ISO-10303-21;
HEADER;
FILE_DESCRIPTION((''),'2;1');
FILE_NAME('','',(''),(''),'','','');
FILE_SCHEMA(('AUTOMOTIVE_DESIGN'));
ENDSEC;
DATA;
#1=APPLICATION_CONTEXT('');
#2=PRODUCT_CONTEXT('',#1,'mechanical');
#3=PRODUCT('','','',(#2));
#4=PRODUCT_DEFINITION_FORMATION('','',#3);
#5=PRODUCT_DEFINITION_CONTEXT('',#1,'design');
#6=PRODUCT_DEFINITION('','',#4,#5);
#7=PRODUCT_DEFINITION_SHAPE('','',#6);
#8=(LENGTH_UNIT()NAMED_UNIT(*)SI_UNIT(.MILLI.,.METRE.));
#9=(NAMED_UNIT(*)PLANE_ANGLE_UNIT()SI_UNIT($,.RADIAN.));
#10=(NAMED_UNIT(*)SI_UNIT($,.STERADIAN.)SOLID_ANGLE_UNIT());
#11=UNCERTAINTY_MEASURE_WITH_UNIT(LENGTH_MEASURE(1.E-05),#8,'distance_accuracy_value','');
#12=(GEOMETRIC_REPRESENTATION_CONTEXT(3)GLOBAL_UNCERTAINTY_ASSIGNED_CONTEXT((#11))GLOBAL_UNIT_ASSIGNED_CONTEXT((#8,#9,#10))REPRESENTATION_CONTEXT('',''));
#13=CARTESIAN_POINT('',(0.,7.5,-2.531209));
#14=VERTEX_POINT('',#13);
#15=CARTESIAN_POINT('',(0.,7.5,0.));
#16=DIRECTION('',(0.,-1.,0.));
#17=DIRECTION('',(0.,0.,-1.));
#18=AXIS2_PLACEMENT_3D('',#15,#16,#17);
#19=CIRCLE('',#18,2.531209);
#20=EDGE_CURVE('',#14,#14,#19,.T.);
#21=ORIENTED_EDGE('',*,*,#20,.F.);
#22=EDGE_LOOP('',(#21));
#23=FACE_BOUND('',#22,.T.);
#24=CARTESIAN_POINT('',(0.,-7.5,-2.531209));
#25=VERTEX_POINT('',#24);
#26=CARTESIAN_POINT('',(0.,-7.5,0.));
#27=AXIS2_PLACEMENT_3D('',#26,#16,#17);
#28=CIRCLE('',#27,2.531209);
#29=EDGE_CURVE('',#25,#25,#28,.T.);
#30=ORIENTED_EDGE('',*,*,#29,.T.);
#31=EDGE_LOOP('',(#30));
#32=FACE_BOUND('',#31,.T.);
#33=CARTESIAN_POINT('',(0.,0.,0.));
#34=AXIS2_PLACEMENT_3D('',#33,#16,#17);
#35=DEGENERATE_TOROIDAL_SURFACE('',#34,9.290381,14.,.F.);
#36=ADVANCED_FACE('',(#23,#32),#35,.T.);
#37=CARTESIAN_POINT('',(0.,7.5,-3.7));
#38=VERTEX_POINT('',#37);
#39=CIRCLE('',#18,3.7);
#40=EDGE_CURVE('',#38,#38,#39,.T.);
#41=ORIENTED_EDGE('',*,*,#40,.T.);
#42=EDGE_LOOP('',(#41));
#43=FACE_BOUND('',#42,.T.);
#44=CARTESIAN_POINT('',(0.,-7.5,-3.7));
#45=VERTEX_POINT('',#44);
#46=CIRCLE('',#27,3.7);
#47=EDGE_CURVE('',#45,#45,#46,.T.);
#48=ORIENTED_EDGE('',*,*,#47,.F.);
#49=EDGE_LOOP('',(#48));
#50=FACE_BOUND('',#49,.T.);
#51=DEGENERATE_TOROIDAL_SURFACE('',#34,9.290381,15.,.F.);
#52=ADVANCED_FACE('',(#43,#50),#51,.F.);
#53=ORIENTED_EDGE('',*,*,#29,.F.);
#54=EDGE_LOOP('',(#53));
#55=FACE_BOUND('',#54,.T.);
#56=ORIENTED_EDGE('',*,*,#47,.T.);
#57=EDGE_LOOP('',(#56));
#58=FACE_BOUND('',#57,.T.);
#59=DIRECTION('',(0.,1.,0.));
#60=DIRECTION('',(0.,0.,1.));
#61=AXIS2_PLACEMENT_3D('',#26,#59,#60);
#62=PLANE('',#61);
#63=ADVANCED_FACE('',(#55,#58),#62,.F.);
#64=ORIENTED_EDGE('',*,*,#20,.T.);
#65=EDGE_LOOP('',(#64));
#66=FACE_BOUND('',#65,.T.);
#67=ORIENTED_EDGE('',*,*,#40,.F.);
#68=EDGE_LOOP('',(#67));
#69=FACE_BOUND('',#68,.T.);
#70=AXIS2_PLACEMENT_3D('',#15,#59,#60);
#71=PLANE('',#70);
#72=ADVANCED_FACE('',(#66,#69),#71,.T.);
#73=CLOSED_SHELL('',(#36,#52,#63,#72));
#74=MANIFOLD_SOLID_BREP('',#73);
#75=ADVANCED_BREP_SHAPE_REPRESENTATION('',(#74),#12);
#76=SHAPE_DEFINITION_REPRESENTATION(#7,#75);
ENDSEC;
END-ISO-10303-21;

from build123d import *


with BuildPart() as part:
    # Sketch1 → Revolve1 (revolve)
    with BuildSketch(Plane.XY, mode=Mode.PRIVATE) as revolve1_sk:
        with BuildLine():
            Line((-2.531209361, 7.5), (-3.7, 7.5))
            ThreePointArc((-3.7, 7.5), (-5.709618943, 0), (-3.7, -7.5))
            Line((-3.7, -7.5), (-2.531209361, -7.5))
            ThreePointArc((-2.531209361, -7.5), (-4.709618943, 0), (-2.531209361, 7.5))
        make_face()
    revolve(revolve1_sk.sketch.rotate(Axis((0, -10.721793516, 0), (0, 1, 0)), 270), axis=Axis((0, -10.721793516, 0), (0, 1, 0)))


solid = part.part
